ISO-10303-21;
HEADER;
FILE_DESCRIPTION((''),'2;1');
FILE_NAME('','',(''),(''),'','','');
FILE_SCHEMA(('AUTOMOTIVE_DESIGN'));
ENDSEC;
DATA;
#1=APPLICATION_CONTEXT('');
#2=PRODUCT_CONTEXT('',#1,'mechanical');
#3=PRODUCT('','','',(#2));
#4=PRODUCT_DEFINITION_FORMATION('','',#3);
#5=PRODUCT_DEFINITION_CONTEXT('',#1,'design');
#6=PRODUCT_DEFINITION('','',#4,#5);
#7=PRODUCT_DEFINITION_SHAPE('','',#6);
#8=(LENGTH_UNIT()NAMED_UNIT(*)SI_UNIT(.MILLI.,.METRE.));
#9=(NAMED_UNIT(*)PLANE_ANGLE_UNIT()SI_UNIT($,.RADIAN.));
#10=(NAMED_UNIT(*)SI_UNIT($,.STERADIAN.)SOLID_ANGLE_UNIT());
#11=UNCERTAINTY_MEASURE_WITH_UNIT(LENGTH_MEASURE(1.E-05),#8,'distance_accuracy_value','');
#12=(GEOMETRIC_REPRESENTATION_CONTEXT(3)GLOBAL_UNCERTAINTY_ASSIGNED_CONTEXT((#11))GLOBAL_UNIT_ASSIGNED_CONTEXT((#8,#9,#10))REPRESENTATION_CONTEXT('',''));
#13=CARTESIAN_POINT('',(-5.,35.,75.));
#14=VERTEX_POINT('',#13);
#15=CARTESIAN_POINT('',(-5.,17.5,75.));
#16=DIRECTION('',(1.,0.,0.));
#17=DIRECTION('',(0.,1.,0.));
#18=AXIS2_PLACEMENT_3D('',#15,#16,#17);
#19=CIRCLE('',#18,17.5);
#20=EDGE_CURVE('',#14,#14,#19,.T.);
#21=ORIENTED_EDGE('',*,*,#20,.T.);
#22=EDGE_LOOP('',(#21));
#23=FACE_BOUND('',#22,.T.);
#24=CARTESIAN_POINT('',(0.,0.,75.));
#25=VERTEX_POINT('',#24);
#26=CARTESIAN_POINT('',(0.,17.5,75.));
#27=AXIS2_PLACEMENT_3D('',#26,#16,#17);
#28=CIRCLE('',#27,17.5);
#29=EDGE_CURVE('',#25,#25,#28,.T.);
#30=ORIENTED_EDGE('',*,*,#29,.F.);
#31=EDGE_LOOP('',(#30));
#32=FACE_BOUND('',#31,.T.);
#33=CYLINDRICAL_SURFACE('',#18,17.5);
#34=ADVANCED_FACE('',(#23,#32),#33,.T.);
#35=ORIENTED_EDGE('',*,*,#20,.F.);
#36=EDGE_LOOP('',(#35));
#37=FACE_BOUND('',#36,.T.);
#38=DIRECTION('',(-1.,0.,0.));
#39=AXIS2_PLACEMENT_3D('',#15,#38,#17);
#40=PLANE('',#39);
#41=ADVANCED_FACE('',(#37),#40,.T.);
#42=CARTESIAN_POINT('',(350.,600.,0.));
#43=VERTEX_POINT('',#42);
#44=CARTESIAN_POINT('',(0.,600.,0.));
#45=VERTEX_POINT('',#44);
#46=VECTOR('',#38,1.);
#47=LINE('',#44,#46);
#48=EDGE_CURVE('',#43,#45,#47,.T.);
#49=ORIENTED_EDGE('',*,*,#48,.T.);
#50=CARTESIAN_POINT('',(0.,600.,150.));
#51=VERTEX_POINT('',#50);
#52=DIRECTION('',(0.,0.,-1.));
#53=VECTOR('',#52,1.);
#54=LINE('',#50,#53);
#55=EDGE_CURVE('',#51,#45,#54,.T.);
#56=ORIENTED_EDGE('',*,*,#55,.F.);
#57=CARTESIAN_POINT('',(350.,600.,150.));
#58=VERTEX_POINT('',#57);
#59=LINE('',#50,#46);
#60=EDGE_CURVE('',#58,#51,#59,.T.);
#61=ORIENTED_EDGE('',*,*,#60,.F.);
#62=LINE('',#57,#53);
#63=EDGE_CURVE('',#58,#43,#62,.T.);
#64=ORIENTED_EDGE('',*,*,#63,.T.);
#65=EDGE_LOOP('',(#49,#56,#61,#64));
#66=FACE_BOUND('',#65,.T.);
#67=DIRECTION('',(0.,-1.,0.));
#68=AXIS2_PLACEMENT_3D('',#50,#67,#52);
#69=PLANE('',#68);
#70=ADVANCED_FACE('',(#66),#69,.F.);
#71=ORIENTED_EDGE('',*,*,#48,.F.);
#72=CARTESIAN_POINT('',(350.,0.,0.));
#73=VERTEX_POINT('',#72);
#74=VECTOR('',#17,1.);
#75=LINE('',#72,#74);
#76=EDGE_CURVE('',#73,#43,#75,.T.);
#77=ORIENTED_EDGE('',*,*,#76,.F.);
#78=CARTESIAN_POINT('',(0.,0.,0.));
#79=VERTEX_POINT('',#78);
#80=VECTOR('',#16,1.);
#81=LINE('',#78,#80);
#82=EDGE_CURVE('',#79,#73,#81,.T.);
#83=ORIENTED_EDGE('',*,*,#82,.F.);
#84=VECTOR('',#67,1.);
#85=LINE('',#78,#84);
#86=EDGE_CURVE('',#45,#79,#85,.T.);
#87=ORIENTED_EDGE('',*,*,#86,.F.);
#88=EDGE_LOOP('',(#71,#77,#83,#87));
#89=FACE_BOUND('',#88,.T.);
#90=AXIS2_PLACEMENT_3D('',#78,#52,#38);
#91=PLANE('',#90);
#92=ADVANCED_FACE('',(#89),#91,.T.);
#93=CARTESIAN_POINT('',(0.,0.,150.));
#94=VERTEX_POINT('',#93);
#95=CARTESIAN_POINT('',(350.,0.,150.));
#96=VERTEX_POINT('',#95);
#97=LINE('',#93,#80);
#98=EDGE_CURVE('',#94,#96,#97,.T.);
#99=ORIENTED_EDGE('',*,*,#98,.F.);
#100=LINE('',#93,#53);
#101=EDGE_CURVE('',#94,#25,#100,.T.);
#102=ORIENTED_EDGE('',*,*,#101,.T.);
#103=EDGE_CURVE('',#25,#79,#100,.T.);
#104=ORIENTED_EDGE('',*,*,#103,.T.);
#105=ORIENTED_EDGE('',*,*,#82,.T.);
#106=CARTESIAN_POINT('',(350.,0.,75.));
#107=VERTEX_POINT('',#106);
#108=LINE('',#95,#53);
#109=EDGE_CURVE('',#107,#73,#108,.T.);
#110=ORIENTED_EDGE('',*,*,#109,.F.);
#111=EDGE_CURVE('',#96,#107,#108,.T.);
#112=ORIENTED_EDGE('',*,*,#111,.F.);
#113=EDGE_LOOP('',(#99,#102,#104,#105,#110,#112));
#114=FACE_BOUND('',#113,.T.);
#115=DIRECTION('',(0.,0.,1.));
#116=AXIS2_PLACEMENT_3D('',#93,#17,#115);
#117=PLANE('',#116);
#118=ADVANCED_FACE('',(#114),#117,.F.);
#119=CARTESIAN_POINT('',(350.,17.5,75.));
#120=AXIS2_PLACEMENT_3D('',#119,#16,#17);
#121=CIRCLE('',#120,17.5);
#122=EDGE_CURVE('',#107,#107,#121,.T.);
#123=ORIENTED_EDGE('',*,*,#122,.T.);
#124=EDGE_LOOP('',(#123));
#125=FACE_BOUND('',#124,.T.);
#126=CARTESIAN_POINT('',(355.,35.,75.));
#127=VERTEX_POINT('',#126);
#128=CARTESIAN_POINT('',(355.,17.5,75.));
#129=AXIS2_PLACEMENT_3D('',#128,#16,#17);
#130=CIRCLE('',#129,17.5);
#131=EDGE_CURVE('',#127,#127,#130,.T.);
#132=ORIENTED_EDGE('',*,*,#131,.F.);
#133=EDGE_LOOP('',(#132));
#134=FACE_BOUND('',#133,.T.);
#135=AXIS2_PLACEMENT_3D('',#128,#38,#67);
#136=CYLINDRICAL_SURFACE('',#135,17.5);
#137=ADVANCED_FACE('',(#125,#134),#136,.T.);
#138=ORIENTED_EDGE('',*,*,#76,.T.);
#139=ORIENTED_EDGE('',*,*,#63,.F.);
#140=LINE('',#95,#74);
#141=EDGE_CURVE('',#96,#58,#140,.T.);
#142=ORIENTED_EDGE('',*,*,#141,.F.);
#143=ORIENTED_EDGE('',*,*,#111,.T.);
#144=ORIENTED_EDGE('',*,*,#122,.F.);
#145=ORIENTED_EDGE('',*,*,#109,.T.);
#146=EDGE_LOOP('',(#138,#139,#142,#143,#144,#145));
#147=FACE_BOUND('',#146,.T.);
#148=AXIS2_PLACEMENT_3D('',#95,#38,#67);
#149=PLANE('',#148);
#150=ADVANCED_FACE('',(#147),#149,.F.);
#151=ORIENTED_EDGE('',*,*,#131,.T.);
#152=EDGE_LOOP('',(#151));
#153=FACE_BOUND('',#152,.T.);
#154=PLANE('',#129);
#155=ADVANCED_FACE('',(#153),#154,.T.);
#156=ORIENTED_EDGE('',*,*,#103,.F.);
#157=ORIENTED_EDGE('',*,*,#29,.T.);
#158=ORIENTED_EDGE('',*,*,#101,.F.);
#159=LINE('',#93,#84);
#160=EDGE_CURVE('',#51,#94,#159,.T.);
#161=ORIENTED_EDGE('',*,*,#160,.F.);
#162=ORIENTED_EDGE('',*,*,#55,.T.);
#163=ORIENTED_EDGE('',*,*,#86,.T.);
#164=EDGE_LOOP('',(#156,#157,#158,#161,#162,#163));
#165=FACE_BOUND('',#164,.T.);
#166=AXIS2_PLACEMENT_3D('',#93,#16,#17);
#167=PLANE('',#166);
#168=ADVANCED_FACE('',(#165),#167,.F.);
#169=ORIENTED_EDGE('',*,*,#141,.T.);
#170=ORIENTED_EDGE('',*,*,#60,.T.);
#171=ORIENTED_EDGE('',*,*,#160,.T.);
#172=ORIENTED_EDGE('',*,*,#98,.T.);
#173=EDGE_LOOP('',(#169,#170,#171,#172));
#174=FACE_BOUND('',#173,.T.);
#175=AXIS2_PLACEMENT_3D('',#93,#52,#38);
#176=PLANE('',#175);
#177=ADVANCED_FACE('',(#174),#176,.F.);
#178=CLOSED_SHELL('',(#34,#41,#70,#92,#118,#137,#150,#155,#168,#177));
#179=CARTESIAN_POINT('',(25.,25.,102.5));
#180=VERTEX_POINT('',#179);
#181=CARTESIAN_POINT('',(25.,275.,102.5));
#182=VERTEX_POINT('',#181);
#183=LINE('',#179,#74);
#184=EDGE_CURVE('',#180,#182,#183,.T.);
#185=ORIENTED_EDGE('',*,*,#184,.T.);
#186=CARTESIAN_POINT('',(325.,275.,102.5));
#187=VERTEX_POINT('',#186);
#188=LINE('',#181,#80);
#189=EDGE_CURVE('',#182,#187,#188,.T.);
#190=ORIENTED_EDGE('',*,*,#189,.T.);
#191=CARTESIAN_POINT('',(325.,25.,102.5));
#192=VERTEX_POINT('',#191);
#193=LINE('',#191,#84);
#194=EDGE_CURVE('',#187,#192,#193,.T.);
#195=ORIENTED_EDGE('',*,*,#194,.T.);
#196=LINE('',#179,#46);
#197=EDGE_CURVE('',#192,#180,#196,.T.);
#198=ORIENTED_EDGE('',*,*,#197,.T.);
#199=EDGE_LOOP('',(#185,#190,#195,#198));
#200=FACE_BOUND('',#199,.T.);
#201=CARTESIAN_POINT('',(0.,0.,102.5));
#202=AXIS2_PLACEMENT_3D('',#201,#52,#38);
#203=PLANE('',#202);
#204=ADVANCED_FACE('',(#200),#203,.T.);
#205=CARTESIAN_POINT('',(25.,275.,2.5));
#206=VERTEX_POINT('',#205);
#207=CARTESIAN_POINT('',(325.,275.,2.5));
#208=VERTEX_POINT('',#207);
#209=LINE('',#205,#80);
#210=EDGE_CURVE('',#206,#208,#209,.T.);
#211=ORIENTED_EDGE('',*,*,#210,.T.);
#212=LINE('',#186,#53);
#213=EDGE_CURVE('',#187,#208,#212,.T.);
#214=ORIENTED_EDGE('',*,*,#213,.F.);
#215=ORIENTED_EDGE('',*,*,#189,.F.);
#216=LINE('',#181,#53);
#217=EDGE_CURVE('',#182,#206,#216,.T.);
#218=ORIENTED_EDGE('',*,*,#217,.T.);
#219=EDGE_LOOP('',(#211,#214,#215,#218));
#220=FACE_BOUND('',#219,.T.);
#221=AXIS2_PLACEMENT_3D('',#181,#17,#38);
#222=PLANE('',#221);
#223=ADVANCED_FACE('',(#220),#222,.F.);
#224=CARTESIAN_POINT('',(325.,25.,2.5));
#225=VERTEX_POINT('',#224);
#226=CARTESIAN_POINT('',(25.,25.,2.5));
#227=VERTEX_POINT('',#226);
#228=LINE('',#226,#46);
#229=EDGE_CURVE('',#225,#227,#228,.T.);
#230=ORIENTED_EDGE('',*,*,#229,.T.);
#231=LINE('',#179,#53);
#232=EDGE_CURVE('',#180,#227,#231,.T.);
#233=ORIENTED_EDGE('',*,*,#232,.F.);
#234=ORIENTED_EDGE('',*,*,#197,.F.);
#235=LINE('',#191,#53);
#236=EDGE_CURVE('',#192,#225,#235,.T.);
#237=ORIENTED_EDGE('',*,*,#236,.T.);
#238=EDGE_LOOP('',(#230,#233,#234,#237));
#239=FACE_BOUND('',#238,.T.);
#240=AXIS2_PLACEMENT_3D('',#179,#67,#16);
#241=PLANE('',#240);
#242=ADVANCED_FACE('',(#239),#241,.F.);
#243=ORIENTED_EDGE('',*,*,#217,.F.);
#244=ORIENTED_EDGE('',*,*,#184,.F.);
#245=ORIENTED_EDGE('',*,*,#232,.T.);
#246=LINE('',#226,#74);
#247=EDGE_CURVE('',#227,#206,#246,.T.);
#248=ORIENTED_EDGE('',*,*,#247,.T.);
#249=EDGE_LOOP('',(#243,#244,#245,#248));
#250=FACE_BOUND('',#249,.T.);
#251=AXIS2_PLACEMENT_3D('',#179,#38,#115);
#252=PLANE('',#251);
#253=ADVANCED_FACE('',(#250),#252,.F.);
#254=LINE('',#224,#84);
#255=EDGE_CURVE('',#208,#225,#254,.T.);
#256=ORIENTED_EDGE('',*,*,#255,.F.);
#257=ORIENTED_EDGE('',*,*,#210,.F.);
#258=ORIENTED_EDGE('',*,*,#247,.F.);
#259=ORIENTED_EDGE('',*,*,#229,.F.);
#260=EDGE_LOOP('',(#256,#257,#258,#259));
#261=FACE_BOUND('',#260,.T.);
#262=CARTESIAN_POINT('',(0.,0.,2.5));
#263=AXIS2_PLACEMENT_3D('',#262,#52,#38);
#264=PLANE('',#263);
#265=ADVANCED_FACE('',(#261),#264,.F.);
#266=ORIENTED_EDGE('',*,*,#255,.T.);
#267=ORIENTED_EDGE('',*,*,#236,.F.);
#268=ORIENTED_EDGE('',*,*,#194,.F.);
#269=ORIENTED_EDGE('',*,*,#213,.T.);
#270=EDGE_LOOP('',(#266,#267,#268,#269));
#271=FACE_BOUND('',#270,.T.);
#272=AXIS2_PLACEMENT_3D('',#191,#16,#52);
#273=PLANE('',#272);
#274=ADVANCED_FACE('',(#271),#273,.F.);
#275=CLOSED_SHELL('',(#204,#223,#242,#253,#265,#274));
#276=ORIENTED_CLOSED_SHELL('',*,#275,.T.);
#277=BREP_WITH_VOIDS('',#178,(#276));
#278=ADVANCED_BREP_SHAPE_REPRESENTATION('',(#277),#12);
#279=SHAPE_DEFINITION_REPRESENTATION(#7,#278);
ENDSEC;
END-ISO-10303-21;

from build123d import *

# Parameters (mm, degrees)
SZKIC1_W                    = 350
SZKIC1_H                    = 600
DODANIE_WYCI_GNI_CIE1_DEPTH = 150
WYTNIJ_WYCI_GNI_CIE1_START  = -2.5
SZKIC2_W                    = 300
SZKIC2_H                    = 250
WYTNIJ_WYCI_GNI_CIE1_DEPTH  = 100
SZKIC3_R                    = 17.5
DODANIE_WYCI_GNI_CIE2_DEPTH = 5


with BuildPart() as part:
    # Szkic1 → Dodanie-wyciągnięcie1 (new body)
    with BuildSketch(Plane.XY):
        with Locations((175, 300)):
            Rectangle(SZKIC1_W, SZKIC1_H)
    extrude(amount=DODANIE_WYCI_GNI_CIE1_DEPTH)

    # Szkic2 → Wytnij-wyciągnięcie1 (cut)
    with BuildSketch(Plane(origin=(0, 0, 0), x_dir=(-1, 0, 0), z_dir=(0, 0, -1)).offset(WYTNIJ_WYCI_GNI_CIE1_START)):
        with Locations((-175, 150)):
            Rectangle(SZKIC2_W, SZKIC2_H)
    extrude(amount=-WYTNIJ_WYCI_GNI_CIE1_DEPTH, mode=Mode.SUBTRACT)

    # Szkic3 → Dodanie-wyciągnięcie2 (add)
    with BuildSketch(Plane(origin=(350, 0, 0), x_dir=(0, 0, -1), z_dir=(1, 0, 0))):
        with Locations((-75, 17.5)):
            Circle(SZKIC3_R)
    dodanie_wyci_gni_cie2 = extrude(amount=DODANIE_WYCI_GNI_CIE2_DEPTH)

    # Lustro1: Dodanie-wyciągnięcie2 across plane
    add(dodanie_wyci_gni_cie2.mirror(Plane.ZY.offset(-175)))


solid = part.part
